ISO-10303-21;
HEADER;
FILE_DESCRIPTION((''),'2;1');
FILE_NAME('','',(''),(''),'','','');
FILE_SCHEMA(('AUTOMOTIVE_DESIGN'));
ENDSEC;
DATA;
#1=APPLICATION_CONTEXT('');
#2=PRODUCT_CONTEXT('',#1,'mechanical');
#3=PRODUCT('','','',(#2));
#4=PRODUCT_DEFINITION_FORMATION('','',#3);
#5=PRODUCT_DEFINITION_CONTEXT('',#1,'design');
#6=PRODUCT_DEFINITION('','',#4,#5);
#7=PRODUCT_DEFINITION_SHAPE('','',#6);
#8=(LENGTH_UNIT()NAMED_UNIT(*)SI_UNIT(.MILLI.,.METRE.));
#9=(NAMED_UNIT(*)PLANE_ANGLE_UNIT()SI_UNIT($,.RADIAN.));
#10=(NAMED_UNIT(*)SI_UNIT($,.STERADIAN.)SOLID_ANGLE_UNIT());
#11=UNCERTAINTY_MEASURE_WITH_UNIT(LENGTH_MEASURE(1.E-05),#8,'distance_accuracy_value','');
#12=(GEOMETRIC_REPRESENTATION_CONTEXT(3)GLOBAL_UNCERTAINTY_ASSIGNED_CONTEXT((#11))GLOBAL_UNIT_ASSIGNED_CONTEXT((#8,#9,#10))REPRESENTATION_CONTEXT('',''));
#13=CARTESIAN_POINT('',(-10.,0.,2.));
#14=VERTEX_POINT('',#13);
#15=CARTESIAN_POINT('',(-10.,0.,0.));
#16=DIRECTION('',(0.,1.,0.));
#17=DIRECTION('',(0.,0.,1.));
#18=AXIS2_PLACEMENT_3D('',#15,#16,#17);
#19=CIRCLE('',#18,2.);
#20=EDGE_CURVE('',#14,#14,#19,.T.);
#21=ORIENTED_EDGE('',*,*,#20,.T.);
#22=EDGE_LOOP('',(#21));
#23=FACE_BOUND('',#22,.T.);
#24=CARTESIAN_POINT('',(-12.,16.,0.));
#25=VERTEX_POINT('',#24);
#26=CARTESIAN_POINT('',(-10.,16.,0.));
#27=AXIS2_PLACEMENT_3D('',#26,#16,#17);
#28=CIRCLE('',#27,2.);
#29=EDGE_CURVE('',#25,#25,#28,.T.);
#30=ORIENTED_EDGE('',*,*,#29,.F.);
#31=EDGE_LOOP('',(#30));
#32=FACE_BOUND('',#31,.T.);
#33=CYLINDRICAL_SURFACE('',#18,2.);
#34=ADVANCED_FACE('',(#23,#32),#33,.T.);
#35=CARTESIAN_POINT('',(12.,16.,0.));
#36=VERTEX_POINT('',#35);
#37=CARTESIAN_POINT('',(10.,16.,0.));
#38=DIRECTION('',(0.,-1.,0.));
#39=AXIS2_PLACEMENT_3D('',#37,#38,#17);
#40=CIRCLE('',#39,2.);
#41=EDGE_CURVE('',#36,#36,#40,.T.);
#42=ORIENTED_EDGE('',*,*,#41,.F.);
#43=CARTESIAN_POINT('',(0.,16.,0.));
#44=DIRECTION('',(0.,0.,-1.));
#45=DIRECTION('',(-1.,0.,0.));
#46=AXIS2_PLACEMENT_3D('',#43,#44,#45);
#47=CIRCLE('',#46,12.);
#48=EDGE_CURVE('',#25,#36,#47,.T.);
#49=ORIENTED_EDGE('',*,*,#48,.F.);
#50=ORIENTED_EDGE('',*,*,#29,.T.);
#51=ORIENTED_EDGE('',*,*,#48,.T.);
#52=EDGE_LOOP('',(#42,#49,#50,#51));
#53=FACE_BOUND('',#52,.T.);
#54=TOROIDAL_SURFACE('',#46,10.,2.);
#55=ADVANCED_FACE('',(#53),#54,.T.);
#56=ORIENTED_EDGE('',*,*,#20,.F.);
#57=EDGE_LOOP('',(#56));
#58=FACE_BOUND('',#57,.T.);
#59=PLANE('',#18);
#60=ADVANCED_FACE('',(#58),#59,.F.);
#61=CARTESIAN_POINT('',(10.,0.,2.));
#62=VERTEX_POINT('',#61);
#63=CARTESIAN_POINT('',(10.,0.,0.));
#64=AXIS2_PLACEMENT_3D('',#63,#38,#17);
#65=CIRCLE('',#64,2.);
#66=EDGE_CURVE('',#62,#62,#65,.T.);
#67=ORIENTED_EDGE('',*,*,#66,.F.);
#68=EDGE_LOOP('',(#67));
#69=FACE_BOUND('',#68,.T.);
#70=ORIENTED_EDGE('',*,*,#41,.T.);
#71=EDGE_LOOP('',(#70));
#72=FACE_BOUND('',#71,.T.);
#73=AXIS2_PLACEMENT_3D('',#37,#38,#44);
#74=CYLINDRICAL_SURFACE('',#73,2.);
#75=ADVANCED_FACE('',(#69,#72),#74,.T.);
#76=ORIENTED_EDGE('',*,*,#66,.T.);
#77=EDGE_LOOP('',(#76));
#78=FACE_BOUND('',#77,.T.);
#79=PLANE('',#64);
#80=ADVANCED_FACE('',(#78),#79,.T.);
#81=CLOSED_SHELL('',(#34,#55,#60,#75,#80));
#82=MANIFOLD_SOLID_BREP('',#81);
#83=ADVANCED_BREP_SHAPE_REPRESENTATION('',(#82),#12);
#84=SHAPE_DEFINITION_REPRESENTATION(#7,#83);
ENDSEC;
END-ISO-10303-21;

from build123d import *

# Parameters (mm, degrees)
SKETCH1_R = 2


with BuildPart() as part:
    # Sweep1: sweep along a path in Sketch2
    with BuildLine(Plane.XY) as sweep1_path:
        Line((-10, 0), (-10, 16))
        ThreePointArc((-10, 16), (0, 26), (10, 16))
        Line((10, 16), (10, 0))
    # Sketch1 → Sweep1 (sweep)
    with BuildSketch(Plane(origin=(0, 0, 0), x_dir=(1, 0, 0), z_dir=(0, 1, 0))):
        with Locations((-10, 0)):
            Circle(SKETCH1_R)
    sweep(path=sweep1_path.line)


solid = part.part
